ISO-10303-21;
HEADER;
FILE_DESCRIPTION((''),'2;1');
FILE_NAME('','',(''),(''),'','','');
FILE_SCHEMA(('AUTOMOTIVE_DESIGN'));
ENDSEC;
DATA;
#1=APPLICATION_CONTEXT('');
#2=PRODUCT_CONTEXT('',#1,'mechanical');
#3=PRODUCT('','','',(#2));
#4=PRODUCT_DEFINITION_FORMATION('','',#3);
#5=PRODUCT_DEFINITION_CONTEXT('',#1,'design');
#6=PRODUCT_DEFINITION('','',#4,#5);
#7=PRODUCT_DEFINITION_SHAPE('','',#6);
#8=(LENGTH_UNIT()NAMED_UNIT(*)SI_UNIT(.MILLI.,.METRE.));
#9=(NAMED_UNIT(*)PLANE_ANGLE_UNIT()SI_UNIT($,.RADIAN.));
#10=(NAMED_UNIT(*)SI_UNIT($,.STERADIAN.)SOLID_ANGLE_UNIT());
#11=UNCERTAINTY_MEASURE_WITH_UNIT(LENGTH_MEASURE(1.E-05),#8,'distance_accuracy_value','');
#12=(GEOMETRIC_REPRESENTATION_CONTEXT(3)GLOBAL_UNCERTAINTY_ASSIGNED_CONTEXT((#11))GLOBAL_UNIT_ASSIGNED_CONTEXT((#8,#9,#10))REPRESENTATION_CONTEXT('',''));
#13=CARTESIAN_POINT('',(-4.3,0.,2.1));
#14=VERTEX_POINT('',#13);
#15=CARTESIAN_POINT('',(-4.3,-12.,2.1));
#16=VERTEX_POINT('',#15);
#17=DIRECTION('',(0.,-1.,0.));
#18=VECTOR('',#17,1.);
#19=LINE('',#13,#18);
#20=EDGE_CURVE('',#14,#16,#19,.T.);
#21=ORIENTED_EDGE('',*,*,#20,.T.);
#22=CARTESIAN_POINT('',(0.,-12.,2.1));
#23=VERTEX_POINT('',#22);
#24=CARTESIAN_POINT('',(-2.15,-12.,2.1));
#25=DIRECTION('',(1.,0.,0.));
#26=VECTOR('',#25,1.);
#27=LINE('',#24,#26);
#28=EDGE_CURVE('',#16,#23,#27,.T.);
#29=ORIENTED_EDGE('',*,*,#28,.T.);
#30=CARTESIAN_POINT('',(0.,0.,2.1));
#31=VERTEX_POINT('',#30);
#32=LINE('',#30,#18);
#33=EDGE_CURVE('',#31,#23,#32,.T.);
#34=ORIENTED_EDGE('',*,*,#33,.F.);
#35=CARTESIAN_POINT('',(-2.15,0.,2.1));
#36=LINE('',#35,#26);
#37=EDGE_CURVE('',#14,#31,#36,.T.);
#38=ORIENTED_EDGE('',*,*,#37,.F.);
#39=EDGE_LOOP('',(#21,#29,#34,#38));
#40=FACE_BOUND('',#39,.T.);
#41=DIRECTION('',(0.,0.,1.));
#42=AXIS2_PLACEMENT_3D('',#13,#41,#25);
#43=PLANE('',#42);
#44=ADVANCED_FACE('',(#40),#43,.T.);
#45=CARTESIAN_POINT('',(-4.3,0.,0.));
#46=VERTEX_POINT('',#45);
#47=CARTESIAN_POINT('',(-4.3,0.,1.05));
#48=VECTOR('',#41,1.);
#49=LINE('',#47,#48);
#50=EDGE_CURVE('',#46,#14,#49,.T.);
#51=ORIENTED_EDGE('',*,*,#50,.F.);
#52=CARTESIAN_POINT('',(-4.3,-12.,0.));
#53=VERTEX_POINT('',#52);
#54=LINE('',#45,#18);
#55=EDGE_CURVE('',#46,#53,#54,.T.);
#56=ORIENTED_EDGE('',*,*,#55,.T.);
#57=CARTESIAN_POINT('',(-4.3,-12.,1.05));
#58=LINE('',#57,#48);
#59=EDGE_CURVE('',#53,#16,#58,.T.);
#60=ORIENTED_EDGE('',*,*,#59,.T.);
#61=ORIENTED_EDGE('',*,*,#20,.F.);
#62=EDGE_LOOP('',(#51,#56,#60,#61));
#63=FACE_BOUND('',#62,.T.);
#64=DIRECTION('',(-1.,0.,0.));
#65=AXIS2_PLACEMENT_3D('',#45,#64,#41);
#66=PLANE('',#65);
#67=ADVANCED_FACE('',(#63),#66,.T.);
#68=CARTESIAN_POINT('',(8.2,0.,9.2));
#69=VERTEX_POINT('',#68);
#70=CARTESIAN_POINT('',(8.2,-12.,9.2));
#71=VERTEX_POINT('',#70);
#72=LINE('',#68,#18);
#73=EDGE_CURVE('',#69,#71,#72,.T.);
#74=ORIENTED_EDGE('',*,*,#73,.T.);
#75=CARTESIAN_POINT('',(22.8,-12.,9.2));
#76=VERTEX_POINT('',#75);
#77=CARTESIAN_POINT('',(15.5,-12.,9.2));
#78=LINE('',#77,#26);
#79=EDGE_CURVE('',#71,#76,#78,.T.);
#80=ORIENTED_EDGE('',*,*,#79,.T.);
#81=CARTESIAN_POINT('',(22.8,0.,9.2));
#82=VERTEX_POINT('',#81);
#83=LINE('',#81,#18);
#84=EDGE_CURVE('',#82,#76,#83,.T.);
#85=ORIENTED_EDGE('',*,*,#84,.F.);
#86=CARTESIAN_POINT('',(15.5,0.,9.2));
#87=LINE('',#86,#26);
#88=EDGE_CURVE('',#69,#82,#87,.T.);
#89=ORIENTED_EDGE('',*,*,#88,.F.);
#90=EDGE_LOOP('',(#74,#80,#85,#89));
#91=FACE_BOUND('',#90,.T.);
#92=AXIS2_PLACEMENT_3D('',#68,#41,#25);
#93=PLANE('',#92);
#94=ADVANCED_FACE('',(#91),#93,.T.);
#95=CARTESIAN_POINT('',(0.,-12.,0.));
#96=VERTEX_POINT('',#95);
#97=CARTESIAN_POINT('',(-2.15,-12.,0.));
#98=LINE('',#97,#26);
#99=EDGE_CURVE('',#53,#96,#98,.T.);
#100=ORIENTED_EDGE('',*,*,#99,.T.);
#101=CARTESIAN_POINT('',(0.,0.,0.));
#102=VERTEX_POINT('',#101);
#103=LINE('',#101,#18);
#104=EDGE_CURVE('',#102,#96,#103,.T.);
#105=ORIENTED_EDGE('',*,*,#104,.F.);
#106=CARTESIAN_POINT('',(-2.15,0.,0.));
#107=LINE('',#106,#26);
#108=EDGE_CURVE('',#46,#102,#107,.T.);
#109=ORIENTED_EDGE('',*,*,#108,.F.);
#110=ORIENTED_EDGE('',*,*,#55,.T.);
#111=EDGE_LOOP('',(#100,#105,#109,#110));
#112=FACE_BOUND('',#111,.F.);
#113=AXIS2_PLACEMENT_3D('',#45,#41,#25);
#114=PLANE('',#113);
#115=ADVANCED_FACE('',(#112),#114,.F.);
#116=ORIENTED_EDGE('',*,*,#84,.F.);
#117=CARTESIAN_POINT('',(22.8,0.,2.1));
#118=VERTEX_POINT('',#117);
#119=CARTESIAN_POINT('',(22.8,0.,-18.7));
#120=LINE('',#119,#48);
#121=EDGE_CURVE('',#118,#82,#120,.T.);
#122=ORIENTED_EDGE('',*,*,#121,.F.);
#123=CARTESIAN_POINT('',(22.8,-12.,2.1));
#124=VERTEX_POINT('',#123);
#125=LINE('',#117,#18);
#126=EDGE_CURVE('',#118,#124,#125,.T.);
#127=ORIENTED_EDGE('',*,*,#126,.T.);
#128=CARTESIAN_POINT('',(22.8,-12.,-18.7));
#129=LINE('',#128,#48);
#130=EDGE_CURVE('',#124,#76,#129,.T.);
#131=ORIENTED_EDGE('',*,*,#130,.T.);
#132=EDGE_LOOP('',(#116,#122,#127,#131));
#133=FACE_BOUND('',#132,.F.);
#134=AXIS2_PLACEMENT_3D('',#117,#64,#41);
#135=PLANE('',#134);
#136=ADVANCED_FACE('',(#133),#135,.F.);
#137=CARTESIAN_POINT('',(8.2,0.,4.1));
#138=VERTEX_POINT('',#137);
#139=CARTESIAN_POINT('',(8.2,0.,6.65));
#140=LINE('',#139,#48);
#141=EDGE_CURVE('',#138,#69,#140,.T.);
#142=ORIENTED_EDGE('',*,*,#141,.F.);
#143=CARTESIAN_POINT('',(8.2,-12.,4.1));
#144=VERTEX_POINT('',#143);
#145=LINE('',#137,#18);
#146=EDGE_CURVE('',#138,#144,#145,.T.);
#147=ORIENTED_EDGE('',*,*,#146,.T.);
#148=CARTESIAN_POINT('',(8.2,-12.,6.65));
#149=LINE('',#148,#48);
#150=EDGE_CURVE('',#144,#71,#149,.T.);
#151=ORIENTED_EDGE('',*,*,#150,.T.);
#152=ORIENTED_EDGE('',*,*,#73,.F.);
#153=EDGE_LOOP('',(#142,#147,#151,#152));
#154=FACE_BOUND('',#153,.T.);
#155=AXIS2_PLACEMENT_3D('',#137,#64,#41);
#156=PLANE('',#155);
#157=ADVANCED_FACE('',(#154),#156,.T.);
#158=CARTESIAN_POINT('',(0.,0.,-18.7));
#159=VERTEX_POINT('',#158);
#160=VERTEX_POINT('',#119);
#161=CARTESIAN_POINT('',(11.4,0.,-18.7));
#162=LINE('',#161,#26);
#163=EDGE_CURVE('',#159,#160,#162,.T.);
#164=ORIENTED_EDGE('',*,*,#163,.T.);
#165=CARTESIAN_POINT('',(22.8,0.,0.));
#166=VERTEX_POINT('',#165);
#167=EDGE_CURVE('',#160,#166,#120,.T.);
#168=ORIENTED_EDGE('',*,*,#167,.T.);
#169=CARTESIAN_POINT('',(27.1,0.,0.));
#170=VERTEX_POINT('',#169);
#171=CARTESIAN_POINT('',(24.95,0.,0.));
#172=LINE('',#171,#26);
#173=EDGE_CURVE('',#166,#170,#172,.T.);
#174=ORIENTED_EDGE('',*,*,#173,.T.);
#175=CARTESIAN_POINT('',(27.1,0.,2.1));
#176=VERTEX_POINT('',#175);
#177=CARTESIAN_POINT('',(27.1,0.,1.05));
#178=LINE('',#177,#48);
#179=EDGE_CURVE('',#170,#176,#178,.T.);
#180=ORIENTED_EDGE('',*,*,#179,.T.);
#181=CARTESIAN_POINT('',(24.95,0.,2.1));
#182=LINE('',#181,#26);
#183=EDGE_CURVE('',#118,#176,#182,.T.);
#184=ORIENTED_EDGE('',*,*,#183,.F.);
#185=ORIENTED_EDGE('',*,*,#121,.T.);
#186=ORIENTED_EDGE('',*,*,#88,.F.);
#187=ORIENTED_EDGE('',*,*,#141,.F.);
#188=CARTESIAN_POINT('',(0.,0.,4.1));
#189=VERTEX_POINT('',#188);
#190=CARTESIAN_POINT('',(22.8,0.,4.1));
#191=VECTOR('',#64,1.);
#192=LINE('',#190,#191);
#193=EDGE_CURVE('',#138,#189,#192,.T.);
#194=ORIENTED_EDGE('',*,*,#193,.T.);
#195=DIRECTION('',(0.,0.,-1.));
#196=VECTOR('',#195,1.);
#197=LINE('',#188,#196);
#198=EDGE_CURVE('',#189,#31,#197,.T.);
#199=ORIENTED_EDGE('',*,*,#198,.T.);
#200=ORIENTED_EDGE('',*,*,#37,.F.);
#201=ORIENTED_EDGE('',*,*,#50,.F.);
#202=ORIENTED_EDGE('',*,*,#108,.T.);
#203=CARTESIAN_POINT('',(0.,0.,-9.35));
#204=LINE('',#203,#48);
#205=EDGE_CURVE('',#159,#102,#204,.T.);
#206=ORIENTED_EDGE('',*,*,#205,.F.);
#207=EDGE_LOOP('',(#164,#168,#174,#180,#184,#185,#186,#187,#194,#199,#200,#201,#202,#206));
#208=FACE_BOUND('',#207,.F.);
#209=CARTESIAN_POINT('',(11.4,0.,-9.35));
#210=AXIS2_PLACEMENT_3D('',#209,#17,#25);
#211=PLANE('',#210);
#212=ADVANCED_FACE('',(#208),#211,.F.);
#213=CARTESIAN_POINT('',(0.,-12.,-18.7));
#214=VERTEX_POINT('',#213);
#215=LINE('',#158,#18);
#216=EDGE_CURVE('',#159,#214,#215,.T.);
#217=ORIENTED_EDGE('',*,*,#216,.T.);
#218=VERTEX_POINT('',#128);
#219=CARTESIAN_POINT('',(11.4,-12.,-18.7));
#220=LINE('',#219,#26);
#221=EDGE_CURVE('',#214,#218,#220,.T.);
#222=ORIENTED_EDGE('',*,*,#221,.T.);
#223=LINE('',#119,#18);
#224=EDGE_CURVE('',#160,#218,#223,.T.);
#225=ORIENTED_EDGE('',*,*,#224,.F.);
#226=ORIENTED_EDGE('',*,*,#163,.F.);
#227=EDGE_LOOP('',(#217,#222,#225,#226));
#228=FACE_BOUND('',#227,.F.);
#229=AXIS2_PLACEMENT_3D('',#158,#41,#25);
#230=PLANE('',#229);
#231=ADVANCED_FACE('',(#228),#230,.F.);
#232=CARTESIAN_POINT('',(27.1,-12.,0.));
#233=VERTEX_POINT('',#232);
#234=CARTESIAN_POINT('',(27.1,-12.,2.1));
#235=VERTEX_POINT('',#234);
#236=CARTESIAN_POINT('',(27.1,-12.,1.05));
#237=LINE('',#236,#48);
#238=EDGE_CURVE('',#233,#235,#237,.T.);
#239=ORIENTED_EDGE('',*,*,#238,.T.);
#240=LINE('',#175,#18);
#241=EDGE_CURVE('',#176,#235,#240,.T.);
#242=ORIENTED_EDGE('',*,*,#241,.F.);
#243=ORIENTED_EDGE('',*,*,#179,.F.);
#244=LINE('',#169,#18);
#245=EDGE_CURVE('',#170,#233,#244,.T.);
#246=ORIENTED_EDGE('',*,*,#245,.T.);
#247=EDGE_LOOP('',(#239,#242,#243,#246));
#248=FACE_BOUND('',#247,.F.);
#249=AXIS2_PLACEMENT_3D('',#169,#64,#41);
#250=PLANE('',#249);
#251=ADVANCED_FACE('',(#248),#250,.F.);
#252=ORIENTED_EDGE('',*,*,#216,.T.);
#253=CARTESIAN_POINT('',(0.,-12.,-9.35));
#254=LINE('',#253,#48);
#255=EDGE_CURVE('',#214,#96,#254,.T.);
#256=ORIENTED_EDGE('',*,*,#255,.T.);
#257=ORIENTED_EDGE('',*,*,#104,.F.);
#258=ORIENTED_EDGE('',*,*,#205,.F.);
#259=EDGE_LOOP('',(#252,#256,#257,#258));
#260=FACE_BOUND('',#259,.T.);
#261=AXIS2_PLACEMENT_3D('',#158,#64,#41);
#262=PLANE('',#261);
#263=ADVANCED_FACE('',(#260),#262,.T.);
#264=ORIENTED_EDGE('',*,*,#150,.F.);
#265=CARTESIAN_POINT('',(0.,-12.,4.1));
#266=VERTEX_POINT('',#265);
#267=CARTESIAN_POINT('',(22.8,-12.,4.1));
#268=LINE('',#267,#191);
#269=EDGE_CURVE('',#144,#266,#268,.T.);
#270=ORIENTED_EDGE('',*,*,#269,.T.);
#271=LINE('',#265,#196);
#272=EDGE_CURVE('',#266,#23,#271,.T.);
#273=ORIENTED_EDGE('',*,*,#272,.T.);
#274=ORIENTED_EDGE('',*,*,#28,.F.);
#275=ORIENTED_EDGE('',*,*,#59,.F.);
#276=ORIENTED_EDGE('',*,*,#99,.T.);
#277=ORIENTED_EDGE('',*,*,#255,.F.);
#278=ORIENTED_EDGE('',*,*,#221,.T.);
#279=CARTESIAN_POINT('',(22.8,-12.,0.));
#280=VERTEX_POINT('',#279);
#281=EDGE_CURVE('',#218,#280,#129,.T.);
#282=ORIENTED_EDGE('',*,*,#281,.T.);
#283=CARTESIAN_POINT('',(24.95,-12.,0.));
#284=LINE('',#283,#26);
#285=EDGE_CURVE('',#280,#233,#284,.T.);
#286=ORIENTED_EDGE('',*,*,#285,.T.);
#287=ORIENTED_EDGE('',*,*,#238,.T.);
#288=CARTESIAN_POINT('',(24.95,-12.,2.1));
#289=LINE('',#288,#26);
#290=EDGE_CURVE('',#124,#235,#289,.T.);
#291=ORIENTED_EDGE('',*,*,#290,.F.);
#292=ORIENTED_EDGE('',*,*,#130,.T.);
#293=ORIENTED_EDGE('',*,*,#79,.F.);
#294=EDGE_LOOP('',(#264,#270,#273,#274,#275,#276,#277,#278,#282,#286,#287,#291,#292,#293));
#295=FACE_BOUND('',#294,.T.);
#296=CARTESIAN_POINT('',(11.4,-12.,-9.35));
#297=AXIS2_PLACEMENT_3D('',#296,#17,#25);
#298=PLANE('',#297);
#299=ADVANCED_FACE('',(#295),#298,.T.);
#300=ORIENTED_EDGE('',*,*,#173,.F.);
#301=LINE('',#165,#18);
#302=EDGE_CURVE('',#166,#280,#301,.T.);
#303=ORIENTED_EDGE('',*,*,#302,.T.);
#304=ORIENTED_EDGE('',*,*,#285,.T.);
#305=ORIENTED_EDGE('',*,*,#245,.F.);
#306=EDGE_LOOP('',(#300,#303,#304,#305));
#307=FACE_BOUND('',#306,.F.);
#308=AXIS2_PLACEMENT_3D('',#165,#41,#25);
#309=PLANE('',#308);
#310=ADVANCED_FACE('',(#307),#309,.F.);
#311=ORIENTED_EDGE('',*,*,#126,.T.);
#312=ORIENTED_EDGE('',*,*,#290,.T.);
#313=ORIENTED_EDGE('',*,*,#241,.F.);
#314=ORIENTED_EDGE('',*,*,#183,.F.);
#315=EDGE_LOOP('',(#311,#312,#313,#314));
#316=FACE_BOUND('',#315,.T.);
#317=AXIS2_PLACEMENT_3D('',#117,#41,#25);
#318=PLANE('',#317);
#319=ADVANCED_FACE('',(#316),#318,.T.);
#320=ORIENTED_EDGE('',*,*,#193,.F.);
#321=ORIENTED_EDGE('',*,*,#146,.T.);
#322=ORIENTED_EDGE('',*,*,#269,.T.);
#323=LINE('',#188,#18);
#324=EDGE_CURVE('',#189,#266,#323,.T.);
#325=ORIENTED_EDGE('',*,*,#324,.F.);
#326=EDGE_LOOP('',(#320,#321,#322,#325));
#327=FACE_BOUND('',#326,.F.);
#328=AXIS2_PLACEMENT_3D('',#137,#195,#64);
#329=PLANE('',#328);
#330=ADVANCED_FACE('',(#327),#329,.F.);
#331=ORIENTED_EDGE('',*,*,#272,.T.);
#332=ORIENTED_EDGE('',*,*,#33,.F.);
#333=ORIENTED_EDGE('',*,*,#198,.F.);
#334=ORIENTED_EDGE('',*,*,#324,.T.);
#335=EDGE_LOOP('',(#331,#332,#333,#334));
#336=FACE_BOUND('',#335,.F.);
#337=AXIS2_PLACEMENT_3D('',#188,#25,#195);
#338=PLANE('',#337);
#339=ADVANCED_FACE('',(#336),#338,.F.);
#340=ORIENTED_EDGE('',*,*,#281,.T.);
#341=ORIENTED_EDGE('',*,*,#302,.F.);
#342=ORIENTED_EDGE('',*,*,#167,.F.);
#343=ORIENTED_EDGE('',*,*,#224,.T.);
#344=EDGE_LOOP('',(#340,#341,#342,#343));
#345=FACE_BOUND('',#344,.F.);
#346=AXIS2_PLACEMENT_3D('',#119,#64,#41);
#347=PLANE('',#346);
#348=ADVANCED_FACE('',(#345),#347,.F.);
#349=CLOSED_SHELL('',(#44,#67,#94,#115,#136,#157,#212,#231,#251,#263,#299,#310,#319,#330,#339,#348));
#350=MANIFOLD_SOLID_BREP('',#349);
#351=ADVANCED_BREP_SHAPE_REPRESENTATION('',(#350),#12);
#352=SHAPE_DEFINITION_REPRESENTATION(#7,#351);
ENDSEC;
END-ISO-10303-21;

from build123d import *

# Parameters (mm, degrees)
F0_W     = 22.8
F0_H     = 18.7
F0_W_2   = 4.3
F0_H_2   = 2.1
F0_W_3   = 14.6
F0_H_3   = 5.1
F1_DEPTH = 12


with BuildPart() as f1:
    # F0 (on Front) → F1 (new body)
    with BuildSketch(Plane.XZ):
        with Locations((11.4, -9.35)):
            Rectangle(F0_W, F0_H)
        with Locations((-2.15, 1.05)):
            Rectangle(F0_W_2, F0_H_2)
        Polygon((8.2, 4.1), (0, 4.1), (0, 2.1), (22.8, 2.1), (22.8, 4.1), align=None)
        with Locations((11.4, 1.05)):
            Rectangle(F0_W, F0_H_2)
        with Locations((15.5, 6.65)):
            Rectangle(F0_W_3, F0_H_3)
        with Locations((24.95, 1.05)):
            Rectangle(F0_W_2, F0_H_2)
    extrude(amount=F1_DEPTH)


solid = f1.part
